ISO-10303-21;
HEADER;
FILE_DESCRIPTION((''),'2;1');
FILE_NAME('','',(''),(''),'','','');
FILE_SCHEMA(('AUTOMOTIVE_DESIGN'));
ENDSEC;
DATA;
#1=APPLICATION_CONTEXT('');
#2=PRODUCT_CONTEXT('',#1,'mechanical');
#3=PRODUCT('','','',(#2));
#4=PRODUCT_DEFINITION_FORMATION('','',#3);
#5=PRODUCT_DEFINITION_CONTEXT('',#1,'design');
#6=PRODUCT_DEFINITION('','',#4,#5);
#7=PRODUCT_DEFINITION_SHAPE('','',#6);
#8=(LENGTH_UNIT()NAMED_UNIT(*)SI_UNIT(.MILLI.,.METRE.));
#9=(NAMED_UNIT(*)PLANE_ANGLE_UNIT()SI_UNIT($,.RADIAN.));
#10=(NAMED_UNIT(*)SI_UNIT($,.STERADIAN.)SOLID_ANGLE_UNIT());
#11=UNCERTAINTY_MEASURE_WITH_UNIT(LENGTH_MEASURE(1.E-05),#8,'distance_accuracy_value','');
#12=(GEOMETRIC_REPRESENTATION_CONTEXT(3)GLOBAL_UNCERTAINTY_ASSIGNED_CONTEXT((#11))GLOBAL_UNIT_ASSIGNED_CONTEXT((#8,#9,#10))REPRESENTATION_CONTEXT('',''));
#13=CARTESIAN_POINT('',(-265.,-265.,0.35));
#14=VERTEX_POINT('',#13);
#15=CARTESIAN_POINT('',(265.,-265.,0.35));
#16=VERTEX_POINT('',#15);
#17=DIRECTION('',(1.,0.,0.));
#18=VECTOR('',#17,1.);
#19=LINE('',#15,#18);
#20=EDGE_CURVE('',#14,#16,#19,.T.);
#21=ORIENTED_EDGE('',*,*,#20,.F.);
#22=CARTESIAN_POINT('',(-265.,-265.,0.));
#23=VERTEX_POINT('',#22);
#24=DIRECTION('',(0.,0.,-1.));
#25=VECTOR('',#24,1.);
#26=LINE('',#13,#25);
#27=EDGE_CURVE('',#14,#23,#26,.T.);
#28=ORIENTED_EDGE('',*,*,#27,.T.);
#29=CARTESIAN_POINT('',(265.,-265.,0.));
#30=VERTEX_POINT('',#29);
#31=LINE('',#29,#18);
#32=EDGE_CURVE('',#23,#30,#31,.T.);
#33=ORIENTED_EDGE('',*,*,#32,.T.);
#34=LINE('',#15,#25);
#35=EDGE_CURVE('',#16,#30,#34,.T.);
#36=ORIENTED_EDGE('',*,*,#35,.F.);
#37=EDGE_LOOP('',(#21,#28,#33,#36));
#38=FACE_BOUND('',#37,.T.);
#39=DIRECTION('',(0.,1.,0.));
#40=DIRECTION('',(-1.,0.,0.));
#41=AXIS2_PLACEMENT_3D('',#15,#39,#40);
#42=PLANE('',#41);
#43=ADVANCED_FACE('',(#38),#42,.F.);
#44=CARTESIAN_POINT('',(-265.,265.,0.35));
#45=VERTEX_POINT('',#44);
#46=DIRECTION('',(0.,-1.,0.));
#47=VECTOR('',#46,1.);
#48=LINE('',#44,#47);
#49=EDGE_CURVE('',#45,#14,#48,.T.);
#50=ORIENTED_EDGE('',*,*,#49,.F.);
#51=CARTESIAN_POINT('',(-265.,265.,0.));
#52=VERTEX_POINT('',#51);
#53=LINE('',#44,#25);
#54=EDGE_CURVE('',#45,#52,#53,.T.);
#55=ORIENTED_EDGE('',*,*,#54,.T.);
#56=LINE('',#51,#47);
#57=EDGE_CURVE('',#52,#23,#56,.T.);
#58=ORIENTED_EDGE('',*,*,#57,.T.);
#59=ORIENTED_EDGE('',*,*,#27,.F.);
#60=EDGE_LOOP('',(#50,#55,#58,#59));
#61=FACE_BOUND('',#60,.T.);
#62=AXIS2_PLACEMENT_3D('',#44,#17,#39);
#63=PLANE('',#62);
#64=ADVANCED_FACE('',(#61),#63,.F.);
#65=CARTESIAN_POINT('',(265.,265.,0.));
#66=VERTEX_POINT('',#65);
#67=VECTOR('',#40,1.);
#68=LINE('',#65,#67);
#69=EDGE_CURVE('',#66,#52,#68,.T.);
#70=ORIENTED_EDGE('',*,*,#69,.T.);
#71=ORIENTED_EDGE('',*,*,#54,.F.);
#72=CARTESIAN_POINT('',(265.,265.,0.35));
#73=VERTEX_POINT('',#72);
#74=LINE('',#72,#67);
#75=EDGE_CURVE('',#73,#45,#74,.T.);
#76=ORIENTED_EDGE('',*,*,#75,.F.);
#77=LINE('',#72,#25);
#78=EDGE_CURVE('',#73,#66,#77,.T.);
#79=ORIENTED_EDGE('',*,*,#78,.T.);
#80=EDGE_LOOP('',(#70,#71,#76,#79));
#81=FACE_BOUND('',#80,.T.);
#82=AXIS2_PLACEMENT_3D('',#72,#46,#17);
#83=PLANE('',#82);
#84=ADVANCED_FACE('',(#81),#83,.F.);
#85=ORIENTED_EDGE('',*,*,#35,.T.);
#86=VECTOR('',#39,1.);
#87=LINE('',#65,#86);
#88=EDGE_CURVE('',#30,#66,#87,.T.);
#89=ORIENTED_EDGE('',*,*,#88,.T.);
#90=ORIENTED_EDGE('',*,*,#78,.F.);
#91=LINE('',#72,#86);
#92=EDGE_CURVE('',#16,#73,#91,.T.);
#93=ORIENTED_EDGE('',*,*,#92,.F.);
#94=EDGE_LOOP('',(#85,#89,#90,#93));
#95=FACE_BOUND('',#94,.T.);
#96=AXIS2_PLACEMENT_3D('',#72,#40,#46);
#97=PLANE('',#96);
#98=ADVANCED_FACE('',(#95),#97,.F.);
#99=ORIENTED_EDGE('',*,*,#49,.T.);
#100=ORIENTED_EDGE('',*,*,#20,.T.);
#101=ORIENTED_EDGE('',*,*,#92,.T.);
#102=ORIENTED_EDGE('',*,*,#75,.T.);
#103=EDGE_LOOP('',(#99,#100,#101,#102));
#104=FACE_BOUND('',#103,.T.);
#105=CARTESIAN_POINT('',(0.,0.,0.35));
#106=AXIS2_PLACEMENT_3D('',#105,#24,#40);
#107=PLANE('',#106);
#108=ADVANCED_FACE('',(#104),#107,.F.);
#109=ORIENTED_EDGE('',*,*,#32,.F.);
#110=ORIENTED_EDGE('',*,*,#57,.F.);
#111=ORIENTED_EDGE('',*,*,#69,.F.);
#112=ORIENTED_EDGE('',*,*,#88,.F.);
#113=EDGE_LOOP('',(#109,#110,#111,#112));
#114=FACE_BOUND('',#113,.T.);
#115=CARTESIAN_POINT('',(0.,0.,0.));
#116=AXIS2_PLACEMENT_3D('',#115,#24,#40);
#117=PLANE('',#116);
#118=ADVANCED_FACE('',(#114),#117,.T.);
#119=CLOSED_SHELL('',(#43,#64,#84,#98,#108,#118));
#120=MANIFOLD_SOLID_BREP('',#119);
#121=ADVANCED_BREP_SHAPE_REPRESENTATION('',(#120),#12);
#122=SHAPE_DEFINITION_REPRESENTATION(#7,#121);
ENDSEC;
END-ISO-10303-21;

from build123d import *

# Parameters (mm, degrees)
SKETCH2_W           = 530
SKETCH2_H           = 530
BOSS_EXTRUDE1_DEPTH = 0.35


with BuildPart() as part:
    # Sketch2 → Boss-Extrude1 (new body)
    with BuildSketch(Plane.XY):
        Rectangle(SKETCH2_W, SKETCH2_H)
    extrude(amount=BOSS_EXTRUDE1_DEPTH)


solid = part.part
